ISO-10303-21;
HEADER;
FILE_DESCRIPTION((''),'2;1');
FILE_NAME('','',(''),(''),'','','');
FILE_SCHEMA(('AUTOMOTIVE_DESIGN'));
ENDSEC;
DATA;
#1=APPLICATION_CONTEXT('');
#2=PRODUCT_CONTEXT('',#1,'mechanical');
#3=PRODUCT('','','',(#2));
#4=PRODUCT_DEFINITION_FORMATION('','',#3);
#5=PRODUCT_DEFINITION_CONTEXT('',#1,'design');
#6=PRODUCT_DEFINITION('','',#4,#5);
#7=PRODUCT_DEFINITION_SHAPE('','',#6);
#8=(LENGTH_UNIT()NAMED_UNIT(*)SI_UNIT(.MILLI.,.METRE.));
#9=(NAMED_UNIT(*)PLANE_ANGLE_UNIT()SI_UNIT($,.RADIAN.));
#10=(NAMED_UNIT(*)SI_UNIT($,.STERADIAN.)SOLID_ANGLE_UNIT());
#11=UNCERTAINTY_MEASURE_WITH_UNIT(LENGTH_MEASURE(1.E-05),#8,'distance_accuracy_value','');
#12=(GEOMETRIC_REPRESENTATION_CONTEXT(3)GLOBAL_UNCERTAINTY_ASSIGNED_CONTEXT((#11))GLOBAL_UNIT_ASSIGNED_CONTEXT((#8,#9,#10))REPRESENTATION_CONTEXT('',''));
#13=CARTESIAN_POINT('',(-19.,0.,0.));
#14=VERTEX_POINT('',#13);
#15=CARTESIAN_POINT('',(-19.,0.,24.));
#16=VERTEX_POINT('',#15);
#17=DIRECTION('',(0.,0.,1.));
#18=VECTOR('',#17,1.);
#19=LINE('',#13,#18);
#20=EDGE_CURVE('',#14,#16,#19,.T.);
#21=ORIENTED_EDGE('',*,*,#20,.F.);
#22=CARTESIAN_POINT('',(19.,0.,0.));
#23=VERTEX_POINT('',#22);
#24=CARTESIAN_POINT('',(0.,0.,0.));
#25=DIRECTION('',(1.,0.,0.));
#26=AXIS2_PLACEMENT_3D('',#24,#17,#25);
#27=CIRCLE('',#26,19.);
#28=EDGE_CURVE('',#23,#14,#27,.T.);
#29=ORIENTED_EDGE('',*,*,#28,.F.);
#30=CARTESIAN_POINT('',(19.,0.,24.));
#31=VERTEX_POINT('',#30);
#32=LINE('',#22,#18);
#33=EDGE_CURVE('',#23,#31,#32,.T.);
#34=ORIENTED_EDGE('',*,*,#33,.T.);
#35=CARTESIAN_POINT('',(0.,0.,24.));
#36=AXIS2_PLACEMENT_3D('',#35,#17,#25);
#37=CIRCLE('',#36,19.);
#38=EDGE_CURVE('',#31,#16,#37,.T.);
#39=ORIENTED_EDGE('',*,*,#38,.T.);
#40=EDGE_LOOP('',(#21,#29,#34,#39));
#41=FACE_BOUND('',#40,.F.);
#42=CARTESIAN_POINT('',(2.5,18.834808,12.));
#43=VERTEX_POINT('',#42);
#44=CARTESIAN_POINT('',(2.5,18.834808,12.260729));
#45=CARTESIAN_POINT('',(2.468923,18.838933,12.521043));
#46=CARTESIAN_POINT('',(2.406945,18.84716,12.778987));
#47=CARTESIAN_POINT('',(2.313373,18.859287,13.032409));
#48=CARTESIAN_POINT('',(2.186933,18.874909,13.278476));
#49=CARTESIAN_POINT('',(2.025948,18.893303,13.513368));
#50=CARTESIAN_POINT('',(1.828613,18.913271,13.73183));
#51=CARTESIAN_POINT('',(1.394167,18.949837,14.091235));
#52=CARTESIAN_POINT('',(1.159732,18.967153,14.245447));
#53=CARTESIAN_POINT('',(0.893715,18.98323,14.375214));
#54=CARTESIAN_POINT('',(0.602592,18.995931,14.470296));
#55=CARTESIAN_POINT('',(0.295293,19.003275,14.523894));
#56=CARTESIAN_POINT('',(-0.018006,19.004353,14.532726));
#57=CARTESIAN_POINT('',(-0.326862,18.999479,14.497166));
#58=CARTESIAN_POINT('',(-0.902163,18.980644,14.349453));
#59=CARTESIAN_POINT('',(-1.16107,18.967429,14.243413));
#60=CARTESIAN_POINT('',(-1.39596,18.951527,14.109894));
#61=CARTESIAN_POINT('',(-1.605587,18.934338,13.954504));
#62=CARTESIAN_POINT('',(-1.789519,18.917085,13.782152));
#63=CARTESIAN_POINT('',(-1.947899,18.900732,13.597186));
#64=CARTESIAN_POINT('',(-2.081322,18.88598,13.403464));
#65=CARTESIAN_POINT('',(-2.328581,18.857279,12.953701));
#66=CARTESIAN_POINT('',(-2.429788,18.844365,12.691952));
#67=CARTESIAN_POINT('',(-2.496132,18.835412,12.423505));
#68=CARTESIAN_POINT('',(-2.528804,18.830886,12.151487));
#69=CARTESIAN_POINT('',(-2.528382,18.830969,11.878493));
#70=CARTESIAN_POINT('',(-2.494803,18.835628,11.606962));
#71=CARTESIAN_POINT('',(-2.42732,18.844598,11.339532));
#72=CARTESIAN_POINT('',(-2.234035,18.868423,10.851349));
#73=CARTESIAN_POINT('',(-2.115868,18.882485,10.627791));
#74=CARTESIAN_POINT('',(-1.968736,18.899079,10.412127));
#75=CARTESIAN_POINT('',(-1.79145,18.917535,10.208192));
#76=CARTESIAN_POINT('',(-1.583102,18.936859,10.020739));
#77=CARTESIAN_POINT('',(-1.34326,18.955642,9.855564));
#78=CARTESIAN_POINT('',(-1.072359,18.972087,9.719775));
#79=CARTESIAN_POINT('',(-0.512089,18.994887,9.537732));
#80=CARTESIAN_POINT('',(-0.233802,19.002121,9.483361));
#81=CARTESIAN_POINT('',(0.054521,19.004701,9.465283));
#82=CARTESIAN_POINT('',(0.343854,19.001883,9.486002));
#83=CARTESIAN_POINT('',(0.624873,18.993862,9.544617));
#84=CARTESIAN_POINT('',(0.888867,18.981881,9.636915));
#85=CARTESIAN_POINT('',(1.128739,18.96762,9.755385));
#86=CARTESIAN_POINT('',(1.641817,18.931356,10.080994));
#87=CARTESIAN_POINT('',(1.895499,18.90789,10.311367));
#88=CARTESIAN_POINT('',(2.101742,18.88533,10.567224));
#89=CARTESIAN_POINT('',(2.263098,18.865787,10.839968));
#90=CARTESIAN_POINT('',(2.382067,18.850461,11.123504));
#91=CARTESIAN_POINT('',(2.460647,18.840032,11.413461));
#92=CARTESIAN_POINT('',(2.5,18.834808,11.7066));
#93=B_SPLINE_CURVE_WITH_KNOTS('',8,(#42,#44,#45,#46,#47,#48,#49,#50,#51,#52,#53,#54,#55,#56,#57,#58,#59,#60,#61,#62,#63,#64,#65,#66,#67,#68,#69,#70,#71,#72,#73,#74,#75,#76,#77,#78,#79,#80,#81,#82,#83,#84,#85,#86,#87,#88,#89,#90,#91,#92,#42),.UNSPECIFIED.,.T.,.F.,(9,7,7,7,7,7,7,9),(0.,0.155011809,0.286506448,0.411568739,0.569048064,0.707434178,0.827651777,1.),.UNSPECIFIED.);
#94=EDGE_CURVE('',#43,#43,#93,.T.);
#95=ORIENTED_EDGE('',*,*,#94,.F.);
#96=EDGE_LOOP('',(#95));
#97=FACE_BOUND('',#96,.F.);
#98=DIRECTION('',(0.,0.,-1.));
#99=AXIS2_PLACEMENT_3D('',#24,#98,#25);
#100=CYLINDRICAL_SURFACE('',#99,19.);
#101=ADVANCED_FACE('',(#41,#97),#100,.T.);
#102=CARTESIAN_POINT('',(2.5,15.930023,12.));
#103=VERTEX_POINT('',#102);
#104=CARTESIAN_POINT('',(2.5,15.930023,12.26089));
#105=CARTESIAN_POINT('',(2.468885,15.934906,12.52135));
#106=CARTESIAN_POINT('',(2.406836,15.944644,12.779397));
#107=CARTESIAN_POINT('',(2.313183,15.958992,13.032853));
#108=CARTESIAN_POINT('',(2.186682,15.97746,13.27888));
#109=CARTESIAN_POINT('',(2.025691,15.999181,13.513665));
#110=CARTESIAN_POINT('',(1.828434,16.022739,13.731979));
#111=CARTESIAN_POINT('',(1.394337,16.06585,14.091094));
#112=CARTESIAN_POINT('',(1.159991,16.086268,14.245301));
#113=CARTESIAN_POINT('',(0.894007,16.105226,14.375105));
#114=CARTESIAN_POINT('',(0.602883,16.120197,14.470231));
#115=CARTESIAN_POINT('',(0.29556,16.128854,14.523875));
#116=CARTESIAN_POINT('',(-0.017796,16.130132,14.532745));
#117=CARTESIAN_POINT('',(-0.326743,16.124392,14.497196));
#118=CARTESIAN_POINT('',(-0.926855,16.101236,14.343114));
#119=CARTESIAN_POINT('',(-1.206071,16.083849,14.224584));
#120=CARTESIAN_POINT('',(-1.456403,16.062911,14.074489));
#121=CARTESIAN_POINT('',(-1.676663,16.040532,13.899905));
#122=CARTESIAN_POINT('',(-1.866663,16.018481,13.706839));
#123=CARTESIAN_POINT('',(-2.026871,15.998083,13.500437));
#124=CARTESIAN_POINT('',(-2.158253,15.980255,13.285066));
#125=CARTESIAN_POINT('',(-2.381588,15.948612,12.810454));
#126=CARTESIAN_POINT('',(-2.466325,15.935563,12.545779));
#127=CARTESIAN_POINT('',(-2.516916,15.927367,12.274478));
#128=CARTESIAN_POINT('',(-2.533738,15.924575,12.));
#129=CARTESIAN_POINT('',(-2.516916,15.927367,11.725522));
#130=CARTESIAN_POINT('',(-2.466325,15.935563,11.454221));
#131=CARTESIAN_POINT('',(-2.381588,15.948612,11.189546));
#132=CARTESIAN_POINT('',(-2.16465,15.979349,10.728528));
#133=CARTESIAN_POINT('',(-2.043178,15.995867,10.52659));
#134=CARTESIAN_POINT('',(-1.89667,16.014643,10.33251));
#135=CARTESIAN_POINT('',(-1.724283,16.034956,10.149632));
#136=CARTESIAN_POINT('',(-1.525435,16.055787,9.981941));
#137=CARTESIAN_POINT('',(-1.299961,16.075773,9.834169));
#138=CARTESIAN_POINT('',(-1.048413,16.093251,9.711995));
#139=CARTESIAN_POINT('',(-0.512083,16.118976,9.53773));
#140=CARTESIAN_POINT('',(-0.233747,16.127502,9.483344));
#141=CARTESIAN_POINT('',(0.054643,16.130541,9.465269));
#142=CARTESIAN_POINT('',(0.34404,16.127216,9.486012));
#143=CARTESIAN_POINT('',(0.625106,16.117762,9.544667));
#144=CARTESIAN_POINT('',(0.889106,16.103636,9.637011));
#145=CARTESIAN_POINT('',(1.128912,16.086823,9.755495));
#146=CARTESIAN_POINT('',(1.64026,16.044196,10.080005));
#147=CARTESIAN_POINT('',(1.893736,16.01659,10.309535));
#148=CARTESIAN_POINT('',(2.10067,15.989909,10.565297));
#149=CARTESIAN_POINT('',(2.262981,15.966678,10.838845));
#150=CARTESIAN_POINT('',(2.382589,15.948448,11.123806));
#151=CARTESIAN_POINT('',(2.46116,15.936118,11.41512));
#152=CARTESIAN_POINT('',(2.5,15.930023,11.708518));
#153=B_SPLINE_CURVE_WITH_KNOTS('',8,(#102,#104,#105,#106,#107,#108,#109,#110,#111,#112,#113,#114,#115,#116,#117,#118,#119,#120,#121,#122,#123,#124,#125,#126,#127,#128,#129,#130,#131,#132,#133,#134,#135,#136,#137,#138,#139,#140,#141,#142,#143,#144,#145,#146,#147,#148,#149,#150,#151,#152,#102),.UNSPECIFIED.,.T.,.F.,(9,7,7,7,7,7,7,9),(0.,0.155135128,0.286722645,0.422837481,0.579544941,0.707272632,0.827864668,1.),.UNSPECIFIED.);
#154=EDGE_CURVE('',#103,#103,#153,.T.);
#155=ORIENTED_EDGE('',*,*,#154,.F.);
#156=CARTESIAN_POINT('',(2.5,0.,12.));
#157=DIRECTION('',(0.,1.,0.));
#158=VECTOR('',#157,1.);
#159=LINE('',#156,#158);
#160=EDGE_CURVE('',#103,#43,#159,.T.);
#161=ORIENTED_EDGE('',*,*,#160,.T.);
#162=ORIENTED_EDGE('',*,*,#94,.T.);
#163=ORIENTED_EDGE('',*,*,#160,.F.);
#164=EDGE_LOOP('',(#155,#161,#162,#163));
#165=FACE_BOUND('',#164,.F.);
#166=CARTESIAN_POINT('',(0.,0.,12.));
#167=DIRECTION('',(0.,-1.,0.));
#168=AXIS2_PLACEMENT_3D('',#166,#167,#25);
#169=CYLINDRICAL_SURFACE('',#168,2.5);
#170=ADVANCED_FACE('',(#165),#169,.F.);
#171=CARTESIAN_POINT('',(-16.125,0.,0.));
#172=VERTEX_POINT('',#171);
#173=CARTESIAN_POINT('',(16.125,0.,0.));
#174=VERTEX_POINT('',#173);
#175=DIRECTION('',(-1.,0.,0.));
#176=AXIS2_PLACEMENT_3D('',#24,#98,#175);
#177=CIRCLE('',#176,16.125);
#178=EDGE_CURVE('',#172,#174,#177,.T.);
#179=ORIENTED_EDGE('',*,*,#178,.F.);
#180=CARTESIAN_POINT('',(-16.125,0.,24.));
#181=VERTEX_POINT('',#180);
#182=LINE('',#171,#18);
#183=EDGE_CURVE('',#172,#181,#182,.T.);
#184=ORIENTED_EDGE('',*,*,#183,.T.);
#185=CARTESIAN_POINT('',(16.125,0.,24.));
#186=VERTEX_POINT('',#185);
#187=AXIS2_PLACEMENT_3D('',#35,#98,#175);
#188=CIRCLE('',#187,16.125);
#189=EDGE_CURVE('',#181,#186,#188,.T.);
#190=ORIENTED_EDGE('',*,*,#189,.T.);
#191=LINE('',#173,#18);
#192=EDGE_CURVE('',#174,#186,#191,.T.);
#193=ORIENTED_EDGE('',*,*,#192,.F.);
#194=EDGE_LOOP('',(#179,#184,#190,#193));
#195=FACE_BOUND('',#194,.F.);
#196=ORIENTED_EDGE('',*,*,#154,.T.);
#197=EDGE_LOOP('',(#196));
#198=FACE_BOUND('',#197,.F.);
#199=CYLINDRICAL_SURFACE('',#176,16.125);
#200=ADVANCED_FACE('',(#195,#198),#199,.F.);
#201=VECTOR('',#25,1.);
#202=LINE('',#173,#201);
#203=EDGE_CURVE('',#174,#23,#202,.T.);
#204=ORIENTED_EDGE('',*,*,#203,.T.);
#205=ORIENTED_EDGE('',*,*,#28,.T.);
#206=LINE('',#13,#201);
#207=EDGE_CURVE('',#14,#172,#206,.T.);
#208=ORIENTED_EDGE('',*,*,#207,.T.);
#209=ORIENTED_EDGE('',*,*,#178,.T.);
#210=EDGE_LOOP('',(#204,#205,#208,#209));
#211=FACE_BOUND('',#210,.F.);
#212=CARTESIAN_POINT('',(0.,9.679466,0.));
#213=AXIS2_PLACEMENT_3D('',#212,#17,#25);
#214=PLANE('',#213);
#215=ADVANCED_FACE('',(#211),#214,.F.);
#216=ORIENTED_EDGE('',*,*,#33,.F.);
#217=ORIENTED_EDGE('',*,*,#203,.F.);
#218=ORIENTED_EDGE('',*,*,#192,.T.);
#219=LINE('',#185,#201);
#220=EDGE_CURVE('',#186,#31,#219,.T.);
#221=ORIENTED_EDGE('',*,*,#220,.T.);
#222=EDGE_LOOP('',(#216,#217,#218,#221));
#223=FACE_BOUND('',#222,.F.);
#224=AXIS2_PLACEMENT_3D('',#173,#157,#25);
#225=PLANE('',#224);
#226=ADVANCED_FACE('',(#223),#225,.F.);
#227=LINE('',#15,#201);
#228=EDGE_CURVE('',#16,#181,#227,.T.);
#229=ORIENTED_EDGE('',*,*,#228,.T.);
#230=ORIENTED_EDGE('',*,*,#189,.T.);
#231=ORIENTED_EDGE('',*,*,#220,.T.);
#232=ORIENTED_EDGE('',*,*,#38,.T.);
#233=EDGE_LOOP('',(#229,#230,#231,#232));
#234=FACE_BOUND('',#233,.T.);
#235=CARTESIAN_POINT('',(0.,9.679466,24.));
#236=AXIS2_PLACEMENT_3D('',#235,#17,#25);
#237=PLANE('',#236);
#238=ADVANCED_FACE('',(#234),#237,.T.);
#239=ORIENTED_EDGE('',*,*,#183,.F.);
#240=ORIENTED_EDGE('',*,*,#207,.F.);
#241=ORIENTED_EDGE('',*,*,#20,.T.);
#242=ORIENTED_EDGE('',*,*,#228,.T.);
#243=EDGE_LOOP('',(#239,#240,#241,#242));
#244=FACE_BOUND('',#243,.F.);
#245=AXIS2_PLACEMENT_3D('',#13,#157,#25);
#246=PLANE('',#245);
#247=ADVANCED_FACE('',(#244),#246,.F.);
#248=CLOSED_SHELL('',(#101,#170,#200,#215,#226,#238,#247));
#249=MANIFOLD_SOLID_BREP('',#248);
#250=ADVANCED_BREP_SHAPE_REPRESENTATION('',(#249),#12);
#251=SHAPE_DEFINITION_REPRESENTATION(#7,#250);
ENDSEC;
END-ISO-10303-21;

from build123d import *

# Parameters (mm, degrees)
F1_DEPTH = 24
F2_R     = 2.5
F3_DEPTH = 25


with BuildPart() as f1:
    # F0 (on Top) → F1 (new body)
    with BuildSketch(Plane.XY):
        with BuildLine():
            Line((16.125, 0), (19, 0))
            ThreePointArc((19, 0), (0, 19), (-19, 0))
            Line((-19, 0), (-16.125, 0))
            ThreePointArc((-16.125, 0), (0, 16.125), (16.125, 0))
        make_face()
    extrude(amount=F1_DEPTH)

    # F2 (on Front) → F3 (cut)
    with BuildSketch(Plane.XZ):
        with Locations((0, 12)):
            Circle(F2_R)
    extrude(amount=-F3_DEPTH, mode=Mode.SUBTRACT)


solid = f1.part
